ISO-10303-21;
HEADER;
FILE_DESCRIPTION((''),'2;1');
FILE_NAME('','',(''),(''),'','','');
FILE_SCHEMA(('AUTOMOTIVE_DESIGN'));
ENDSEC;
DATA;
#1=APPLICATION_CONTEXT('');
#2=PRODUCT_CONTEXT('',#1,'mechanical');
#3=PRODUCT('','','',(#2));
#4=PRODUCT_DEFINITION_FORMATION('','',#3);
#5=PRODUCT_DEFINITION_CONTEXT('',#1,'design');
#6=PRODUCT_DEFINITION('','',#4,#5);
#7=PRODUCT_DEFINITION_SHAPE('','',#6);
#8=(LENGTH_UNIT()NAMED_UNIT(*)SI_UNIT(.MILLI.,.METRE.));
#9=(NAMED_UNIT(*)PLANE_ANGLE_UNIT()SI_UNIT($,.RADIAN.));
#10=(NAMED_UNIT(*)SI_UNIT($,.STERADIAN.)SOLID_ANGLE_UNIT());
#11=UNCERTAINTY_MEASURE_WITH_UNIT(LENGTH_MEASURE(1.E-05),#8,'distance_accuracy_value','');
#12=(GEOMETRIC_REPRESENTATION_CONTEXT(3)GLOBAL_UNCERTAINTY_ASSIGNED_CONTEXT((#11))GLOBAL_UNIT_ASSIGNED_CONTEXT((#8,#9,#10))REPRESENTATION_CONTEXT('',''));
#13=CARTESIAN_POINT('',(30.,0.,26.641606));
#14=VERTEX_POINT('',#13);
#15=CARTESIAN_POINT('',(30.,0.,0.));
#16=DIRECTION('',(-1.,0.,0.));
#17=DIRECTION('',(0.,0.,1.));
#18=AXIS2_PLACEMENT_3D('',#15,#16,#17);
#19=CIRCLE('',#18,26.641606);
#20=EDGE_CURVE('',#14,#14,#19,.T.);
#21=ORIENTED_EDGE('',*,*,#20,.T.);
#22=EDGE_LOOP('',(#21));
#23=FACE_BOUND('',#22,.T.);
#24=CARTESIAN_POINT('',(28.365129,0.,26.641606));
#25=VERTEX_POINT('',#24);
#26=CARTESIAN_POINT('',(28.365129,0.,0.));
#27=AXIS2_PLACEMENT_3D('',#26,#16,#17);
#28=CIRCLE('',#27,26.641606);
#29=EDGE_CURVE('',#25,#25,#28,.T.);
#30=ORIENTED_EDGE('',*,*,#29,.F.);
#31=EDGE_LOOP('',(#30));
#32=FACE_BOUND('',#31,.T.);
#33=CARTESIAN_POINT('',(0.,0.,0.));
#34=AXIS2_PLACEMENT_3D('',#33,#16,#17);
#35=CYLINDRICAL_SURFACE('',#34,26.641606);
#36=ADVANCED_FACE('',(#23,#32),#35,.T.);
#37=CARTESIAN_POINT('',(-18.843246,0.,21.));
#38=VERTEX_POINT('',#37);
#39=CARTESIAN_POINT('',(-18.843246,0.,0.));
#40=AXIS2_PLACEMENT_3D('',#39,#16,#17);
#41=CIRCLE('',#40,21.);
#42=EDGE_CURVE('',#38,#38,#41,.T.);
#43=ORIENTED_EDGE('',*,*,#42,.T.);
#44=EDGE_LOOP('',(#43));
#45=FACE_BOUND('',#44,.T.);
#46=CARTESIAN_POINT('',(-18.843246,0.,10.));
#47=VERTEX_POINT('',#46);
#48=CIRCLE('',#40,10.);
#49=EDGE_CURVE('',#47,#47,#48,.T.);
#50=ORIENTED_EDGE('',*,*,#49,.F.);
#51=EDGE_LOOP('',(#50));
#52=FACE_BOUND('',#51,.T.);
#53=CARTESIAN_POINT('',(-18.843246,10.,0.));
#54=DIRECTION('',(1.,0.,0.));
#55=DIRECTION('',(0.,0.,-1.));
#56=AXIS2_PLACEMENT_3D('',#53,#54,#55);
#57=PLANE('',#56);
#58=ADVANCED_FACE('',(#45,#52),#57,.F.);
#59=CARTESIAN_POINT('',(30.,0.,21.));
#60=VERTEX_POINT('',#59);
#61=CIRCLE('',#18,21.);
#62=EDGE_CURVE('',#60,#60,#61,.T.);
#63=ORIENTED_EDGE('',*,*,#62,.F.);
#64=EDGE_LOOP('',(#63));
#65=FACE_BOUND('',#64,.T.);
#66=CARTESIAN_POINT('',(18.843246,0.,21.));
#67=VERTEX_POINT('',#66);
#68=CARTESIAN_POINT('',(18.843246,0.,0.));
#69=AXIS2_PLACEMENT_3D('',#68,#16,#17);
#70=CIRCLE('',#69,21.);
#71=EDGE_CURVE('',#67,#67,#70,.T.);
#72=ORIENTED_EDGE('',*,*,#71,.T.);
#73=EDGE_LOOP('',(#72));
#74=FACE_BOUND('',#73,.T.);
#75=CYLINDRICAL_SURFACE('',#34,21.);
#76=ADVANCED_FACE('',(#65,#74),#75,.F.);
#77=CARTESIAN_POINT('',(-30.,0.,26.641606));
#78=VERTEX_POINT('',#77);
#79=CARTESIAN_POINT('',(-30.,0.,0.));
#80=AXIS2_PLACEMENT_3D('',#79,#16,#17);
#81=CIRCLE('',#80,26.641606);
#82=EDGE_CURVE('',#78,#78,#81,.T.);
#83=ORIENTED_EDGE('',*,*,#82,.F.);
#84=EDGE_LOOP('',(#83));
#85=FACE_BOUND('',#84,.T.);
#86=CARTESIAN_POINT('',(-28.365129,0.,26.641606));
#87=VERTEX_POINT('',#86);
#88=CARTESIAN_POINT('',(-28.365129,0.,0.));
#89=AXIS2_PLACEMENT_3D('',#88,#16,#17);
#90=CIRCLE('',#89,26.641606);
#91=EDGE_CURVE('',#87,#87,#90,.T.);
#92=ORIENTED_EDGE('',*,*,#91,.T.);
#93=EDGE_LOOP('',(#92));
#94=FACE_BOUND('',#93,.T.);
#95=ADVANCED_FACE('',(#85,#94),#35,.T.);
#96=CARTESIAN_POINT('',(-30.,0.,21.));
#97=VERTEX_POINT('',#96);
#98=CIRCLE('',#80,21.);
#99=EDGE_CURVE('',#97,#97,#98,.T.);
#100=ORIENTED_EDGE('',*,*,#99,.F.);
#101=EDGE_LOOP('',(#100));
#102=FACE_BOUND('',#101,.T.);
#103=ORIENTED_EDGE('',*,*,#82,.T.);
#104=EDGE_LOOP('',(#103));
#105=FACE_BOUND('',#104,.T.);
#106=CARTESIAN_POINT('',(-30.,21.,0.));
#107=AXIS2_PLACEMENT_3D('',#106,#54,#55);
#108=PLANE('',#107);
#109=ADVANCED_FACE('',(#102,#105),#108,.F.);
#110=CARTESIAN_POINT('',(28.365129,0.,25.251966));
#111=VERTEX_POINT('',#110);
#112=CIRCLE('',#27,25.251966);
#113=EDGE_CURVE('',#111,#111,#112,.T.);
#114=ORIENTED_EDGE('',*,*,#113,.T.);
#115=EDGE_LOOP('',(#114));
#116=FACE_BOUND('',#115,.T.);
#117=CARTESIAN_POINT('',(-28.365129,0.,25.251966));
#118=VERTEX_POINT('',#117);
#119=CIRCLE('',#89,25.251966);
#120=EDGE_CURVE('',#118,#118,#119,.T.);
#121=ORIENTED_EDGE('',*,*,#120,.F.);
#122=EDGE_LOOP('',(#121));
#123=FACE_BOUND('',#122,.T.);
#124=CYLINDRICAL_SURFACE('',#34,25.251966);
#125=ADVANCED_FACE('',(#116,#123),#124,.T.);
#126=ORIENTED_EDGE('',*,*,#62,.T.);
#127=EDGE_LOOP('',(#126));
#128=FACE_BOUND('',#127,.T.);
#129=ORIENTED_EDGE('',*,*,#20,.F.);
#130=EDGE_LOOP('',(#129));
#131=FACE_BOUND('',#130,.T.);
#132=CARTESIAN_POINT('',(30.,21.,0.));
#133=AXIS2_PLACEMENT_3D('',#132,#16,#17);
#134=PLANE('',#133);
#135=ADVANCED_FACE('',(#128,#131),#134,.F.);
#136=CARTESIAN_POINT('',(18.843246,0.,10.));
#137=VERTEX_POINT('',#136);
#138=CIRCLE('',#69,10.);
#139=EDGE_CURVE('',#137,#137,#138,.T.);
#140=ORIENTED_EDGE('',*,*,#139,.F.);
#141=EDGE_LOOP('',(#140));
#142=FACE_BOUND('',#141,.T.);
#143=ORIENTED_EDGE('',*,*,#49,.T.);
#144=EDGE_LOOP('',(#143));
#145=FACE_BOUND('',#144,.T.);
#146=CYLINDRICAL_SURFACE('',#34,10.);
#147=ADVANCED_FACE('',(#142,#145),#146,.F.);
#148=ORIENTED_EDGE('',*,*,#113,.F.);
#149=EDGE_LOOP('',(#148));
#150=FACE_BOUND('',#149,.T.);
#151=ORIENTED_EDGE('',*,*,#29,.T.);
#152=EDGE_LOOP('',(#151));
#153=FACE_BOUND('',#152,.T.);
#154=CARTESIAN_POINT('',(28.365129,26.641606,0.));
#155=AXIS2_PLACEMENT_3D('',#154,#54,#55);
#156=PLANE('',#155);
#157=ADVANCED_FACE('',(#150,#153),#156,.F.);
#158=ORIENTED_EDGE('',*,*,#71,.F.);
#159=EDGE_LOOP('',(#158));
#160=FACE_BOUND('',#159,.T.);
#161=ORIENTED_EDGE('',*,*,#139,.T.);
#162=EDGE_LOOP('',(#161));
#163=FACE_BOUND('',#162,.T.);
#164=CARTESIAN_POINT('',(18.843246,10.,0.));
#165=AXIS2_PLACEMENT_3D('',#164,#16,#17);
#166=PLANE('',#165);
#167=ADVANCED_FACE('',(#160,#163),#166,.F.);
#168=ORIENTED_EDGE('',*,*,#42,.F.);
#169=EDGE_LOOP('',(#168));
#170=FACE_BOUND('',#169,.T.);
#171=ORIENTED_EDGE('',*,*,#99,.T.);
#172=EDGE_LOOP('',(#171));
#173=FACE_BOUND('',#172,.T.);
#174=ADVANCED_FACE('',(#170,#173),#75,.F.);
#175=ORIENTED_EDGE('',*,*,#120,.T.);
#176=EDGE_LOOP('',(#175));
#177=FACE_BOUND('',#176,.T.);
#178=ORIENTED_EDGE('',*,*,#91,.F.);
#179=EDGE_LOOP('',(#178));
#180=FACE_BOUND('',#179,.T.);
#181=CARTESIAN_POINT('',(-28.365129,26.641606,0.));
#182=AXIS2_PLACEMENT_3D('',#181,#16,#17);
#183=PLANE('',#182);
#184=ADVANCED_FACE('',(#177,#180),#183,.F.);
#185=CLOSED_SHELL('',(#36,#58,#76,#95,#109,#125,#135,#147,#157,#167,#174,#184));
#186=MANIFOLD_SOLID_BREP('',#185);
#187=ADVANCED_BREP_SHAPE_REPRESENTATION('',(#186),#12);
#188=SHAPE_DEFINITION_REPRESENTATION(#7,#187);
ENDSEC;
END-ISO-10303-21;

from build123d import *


with BuildPart() as part:
    # Sketch1 → Revolve1 (revolve)
    with BuildSketch(Plane.XY, mode=Mode.PRIVATE) as revolve1_sk:
        Polygon((18.843245601, 21), (30, 21), (30, 26.641606243), (28.365129375, 26.641606243), (28.365129375, 25.251966211), (-28.365129375, 25.251966211), (-28.365129375, 26.641606243), (-30, 26.641606243), (-30, 21), (-18.843245601, 21), (-18.843245601, 10), (18.843245601, 10), align=None)
    revolve(revolve1_sk.sketch.rotate(Axis((0, 0, 0), (1, 0, 0)), 90), axis=Axis((0, 0, 0), (1, 0, 0)))


solid = part.part
